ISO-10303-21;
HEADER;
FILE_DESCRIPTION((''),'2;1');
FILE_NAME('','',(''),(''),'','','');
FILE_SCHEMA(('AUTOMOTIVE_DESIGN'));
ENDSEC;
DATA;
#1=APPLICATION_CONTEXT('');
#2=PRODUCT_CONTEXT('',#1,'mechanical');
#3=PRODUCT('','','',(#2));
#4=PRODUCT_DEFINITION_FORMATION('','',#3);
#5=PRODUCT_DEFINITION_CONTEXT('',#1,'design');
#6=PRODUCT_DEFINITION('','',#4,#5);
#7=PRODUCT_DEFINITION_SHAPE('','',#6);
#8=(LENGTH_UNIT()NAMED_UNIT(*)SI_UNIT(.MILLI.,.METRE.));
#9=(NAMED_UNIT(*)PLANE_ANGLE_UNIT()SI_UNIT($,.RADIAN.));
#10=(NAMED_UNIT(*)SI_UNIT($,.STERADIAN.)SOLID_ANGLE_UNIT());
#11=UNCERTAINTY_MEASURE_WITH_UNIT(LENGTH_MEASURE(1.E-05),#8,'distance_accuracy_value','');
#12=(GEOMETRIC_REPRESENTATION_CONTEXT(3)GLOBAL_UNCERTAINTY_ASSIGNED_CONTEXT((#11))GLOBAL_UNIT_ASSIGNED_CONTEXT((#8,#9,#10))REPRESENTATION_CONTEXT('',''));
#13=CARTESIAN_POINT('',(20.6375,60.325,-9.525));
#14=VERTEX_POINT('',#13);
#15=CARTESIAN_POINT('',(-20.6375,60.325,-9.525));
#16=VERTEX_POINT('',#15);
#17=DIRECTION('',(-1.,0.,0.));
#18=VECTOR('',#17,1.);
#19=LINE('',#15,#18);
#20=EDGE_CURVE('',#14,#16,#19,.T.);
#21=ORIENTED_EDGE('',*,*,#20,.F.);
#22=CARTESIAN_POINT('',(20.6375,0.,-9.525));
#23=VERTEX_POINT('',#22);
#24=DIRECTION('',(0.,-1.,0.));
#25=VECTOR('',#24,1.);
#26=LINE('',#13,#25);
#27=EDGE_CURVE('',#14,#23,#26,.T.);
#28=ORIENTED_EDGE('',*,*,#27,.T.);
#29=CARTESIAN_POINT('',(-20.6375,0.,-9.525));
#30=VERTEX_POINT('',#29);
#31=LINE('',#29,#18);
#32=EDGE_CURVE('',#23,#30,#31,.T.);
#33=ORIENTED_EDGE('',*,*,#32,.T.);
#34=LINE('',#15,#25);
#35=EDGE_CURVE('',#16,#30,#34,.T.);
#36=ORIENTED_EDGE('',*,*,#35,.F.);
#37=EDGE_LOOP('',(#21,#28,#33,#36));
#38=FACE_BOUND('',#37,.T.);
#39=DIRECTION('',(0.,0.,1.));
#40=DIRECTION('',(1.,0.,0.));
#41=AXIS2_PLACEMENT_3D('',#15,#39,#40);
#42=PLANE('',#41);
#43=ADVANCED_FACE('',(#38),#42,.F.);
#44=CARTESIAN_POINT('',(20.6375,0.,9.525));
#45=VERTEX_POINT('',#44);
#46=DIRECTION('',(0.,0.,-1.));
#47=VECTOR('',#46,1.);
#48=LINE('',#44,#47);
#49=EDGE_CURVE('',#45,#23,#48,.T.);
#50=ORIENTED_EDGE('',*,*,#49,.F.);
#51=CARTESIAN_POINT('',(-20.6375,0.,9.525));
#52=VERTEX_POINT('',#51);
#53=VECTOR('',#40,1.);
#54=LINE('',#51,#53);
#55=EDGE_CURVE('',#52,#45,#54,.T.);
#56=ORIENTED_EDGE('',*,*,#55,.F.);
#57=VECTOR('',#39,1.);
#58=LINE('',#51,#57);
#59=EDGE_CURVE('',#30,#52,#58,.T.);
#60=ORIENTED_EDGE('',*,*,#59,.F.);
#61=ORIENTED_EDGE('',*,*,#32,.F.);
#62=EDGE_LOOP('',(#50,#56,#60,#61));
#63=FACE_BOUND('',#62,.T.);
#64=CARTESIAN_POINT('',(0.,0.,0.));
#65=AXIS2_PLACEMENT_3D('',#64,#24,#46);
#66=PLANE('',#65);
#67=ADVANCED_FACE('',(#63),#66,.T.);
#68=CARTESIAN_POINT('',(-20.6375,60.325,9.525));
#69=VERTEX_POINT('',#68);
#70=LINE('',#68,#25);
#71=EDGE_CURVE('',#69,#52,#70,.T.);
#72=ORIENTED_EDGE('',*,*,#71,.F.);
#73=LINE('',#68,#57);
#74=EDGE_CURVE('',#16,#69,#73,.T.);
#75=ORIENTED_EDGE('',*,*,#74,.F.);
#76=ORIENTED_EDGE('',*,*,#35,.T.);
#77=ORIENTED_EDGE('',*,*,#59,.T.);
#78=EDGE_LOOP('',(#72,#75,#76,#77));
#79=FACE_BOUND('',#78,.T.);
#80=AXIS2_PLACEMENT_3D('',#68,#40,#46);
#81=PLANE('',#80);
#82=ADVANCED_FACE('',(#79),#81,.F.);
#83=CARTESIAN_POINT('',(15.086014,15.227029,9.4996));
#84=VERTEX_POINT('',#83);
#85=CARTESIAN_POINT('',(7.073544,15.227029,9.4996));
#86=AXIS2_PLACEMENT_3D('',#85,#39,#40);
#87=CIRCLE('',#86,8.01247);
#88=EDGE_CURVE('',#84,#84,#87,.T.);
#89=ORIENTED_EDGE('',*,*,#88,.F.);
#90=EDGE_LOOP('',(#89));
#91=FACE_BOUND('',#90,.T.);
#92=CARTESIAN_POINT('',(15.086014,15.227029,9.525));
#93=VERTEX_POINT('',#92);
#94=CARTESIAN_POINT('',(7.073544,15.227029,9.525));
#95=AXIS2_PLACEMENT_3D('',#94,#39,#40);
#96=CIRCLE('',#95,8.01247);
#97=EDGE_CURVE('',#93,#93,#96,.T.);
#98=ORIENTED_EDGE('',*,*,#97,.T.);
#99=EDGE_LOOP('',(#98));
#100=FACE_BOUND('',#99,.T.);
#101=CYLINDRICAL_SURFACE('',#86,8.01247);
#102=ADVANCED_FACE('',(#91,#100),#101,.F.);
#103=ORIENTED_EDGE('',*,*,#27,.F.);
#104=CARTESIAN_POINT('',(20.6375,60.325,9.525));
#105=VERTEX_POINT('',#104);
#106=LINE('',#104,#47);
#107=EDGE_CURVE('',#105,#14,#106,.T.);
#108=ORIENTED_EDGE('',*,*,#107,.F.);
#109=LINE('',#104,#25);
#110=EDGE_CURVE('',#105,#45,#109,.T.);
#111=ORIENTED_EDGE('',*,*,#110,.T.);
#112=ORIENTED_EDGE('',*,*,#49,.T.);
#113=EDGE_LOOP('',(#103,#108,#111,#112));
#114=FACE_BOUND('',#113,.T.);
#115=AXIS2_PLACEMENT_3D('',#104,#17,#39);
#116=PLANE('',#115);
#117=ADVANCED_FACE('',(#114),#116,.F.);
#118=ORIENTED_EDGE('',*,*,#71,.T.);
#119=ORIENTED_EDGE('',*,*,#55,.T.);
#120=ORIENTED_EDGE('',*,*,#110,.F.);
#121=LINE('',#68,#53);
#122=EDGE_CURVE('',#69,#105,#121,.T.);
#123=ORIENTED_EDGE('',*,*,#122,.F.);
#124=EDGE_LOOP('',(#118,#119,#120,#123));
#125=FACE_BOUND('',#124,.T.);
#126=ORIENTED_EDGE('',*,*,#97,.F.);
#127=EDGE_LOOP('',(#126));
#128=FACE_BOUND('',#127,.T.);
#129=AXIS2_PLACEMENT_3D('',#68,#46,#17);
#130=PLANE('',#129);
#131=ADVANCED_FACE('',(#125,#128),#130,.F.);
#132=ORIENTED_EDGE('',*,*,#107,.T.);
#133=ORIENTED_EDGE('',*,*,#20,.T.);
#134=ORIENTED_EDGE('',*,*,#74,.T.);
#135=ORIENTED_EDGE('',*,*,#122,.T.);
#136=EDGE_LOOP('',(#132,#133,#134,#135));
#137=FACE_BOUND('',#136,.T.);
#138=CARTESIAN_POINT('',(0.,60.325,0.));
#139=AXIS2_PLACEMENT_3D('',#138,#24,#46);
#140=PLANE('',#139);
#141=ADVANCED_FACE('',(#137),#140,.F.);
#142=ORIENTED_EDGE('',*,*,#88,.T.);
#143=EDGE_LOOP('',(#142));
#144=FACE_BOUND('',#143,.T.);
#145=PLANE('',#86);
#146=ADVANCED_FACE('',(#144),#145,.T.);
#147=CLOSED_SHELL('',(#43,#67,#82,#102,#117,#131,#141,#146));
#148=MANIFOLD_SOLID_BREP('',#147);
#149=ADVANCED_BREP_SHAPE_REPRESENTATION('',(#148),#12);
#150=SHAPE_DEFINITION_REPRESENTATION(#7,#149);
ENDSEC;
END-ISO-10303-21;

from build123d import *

# Parameters (mm, degrees)
SKETCH1_W           = 41.275
SKETCH1_H           = 19.05
BOSS_EXTRUDE1_DEPTH = 60.325
SKETCH2_R           = 8.012470392
CUT_EXTRUDE1_DEPTH  = 0.0254


with BuildPart() as part:
    # Sketch1 → Boss-Extrude1 (new body)
    with BuildSketch(Plane(origin=(0, 0, 0), x_dir=(1, 0, 0), z_dir=(0, 1, 0))):
        Rectangle(SKETCH1_W, SKETCH1_H)
    extrude(amount=BOSS_EXTRUDE1_DEPTH)

    # Sketch2 → Cut-Extrude1 (cut)
    with BuildSketch(Plane.XY.offset(9.525)):
        with Locations((7.073544027, 15.22702933)):
            Circle(SKETCH2_R)
    extrude(amount=-CUT_EXTRUDE1_DEPTH, mode=Mode.SUBTRACT)


solid = part.part
